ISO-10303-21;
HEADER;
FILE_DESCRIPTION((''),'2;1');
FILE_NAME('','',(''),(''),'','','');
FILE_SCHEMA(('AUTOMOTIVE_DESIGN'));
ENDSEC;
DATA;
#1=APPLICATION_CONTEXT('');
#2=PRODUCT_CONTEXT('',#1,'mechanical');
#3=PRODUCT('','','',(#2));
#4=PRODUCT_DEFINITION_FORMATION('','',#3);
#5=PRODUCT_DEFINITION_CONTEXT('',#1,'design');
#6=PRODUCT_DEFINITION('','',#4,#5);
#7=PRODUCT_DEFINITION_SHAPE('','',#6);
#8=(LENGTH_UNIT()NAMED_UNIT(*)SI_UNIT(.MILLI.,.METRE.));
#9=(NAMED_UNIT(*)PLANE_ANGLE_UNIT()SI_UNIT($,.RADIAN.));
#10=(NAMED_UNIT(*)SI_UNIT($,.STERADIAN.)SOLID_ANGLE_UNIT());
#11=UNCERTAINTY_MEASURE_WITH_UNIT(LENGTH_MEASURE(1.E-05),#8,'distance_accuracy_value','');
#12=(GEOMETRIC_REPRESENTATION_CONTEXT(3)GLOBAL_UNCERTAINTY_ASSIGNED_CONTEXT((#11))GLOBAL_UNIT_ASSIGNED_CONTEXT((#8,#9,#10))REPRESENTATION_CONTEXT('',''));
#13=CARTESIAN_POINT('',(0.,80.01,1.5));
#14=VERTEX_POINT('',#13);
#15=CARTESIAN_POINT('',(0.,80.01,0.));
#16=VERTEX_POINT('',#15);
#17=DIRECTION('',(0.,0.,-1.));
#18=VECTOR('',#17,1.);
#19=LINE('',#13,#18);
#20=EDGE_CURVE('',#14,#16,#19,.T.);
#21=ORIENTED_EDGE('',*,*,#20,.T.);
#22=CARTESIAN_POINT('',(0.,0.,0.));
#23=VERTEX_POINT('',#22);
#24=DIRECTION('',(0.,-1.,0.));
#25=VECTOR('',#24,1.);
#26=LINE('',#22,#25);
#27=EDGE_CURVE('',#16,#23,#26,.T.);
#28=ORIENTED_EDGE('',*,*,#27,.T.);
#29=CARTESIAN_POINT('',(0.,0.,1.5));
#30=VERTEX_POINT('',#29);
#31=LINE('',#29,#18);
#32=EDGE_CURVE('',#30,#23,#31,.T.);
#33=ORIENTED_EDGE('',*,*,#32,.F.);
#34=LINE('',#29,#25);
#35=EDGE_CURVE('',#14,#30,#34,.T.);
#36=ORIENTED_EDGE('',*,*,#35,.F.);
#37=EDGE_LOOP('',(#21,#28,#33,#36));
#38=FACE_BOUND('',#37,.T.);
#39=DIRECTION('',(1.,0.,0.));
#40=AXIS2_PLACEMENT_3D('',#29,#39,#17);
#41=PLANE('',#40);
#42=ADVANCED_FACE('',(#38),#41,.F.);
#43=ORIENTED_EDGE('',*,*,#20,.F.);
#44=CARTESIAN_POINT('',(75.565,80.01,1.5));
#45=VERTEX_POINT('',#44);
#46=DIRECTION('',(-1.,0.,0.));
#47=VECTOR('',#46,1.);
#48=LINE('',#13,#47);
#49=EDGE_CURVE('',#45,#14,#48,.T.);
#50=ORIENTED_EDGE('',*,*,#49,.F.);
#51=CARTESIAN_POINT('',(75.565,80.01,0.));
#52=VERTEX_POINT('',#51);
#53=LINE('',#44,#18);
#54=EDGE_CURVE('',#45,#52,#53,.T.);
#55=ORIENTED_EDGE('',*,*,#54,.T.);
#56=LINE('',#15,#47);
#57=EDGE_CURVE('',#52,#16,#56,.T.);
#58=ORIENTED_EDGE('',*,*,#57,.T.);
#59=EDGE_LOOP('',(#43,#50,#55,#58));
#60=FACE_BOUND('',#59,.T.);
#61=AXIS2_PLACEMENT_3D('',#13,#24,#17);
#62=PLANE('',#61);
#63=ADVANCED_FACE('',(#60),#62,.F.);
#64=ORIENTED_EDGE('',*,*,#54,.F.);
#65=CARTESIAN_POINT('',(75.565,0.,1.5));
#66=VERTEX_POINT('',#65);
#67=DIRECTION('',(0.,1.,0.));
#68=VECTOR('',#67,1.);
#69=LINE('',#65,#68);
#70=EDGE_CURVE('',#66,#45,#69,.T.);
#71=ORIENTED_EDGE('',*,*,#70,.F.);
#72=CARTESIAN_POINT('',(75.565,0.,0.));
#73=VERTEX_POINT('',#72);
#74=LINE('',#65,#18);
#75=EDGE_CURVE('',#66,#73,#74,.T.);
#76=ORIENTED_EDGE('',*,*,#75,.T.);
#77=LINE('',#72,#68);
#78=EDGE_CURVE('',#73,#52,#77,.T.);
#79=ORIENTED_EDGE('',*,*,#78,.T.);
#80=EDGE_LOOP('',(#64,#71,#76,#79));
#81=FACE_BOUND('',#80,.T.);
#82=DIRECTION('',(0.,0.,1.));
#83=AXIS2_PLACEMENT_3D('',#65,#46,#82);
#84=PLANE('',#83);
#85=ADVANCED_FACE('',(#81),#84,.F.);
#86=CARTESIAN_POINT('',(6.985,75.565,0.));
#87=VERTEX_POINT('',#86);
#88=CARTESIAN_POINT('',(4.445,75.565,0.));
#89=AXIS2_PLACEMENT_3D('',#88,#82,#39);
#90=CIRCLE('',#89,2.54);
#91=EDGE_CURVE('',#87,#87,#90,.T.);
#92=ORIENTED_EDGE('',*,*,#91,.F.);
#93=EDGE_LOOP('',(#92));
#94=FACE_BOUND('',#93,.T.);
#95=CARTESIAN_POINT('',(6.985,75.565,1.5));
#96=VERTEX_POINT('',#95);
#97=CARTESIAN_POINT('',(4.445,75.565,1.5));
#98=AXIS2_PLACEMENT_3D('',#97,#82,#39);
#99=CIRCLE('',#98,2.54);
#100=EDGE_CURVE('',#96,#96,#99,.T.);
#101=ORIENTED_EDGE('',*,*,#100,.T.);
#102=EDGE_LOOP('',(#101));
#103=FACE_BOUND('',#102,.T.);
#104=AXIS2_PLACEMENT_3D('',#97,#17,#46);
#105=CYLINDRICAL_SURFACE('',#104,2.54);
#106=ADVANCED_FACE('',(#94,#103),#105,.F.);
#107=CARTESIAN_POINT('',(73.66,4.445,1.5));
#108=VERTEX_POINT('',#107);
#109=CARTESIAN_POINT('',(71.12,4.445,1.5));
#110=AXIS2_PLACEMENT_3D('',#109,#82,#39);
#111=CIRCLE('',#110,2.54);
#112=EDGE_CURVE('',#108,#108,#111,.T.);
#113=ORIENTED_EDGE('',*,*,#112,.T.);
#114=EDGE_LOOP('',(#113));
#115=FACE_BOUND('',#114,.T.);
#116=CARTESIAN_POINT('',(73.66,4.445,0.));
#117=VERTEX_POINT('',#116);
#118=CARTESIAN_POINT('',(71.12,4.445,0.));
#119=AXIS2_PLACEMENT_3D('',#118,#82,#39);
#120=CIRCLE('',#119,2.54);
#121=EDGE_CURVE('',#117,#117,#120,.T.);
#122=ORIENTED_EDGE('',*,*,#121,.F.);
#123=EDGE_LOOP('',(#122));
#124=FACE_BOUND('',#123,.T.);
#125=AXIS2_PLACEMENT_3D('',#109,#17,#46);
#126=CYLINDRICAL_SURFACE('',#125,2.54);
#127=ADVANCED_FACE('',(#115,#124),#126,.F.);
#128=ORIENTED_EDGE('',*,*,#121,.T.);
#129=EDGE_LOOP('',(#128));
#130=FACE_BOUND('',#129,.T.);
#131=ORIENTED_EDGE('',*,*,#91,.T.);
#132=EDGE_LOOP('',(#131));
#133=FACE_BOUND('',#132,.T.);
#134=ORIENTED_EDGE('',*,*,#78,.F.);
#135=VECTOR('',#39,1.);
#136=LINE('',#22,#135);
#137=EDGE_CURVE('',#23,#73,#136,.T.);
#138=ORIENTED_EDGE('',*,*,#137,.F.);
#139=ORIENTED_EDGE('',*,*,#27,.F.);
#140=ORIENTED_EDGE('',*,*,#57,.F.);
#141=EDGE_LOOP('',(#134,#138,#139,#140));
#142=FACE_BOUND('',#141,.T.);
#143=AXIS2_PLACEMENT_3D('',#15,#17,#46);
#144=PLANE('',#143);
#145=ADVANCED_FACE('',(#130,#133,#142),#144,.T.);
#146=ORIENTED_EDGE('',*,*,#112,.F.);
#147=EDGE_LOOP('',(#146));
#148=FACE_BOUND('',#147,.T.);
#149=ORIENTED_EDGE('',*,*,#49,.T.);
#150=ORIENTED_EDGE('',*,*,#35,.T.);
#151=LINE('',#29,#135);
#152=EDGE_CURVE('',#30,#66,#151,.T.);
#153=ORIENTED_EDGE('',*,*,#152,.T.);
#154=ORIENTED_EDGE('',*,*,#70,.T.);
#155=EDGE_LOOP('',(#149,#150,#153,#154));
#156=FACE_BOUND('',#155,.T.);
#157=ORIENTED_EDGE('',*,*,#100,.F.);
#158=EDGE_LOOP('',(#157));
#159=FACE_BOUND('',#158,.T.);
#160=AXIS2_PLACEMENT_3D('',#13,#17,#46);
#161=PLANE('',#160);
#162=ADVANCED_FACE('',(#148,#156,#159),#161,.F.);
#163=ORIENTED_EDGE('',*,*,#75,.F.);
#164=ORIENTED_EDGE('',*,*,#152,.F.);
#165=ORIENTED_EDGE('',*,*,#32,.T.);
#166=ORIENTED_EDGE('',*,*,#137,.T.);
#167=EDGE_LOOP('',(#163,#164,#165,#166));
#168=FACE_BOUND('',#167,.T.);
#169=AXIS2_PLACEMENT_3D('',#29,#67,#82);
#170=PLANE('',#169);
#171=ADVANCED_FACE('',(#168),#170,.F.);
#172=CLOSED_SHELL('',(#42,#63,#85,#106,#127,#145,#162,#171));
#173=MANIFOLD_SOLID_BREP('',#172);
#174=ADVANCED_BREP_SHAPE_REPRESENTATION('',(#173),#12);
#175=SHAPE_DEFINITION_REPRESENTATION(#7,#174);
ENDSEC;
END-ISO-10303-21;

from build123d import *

# Parameters (mm, degrees)
SKETCH1_W           = 75.565
SKETCH1_H           = 80.01
SKETCH1_R           = 2.54
BOSS_EXTRUDE1_DEPTH = 1.5


with BuildPart() as part:
    # Sketch1 → Boss-Extrude1 (new body)
    with BuildSketch(Plane.XY):
        with Locations((37.7825, 40.005)):
            Rectangle(SKETCH1_W, SKETCH1_H)
        with Locations((4.445, 75.565)):
            Circle(SKETCH1_R, mode=Mode.SUBTRACT)
        with Locations((71.12, 4.445)):
            Circle(SKETCH1_R, mode=Mode.SUBTRACT)
    extrude(amount=BOSS_EXTRUDE1_DEPTH)


solid = part.part
